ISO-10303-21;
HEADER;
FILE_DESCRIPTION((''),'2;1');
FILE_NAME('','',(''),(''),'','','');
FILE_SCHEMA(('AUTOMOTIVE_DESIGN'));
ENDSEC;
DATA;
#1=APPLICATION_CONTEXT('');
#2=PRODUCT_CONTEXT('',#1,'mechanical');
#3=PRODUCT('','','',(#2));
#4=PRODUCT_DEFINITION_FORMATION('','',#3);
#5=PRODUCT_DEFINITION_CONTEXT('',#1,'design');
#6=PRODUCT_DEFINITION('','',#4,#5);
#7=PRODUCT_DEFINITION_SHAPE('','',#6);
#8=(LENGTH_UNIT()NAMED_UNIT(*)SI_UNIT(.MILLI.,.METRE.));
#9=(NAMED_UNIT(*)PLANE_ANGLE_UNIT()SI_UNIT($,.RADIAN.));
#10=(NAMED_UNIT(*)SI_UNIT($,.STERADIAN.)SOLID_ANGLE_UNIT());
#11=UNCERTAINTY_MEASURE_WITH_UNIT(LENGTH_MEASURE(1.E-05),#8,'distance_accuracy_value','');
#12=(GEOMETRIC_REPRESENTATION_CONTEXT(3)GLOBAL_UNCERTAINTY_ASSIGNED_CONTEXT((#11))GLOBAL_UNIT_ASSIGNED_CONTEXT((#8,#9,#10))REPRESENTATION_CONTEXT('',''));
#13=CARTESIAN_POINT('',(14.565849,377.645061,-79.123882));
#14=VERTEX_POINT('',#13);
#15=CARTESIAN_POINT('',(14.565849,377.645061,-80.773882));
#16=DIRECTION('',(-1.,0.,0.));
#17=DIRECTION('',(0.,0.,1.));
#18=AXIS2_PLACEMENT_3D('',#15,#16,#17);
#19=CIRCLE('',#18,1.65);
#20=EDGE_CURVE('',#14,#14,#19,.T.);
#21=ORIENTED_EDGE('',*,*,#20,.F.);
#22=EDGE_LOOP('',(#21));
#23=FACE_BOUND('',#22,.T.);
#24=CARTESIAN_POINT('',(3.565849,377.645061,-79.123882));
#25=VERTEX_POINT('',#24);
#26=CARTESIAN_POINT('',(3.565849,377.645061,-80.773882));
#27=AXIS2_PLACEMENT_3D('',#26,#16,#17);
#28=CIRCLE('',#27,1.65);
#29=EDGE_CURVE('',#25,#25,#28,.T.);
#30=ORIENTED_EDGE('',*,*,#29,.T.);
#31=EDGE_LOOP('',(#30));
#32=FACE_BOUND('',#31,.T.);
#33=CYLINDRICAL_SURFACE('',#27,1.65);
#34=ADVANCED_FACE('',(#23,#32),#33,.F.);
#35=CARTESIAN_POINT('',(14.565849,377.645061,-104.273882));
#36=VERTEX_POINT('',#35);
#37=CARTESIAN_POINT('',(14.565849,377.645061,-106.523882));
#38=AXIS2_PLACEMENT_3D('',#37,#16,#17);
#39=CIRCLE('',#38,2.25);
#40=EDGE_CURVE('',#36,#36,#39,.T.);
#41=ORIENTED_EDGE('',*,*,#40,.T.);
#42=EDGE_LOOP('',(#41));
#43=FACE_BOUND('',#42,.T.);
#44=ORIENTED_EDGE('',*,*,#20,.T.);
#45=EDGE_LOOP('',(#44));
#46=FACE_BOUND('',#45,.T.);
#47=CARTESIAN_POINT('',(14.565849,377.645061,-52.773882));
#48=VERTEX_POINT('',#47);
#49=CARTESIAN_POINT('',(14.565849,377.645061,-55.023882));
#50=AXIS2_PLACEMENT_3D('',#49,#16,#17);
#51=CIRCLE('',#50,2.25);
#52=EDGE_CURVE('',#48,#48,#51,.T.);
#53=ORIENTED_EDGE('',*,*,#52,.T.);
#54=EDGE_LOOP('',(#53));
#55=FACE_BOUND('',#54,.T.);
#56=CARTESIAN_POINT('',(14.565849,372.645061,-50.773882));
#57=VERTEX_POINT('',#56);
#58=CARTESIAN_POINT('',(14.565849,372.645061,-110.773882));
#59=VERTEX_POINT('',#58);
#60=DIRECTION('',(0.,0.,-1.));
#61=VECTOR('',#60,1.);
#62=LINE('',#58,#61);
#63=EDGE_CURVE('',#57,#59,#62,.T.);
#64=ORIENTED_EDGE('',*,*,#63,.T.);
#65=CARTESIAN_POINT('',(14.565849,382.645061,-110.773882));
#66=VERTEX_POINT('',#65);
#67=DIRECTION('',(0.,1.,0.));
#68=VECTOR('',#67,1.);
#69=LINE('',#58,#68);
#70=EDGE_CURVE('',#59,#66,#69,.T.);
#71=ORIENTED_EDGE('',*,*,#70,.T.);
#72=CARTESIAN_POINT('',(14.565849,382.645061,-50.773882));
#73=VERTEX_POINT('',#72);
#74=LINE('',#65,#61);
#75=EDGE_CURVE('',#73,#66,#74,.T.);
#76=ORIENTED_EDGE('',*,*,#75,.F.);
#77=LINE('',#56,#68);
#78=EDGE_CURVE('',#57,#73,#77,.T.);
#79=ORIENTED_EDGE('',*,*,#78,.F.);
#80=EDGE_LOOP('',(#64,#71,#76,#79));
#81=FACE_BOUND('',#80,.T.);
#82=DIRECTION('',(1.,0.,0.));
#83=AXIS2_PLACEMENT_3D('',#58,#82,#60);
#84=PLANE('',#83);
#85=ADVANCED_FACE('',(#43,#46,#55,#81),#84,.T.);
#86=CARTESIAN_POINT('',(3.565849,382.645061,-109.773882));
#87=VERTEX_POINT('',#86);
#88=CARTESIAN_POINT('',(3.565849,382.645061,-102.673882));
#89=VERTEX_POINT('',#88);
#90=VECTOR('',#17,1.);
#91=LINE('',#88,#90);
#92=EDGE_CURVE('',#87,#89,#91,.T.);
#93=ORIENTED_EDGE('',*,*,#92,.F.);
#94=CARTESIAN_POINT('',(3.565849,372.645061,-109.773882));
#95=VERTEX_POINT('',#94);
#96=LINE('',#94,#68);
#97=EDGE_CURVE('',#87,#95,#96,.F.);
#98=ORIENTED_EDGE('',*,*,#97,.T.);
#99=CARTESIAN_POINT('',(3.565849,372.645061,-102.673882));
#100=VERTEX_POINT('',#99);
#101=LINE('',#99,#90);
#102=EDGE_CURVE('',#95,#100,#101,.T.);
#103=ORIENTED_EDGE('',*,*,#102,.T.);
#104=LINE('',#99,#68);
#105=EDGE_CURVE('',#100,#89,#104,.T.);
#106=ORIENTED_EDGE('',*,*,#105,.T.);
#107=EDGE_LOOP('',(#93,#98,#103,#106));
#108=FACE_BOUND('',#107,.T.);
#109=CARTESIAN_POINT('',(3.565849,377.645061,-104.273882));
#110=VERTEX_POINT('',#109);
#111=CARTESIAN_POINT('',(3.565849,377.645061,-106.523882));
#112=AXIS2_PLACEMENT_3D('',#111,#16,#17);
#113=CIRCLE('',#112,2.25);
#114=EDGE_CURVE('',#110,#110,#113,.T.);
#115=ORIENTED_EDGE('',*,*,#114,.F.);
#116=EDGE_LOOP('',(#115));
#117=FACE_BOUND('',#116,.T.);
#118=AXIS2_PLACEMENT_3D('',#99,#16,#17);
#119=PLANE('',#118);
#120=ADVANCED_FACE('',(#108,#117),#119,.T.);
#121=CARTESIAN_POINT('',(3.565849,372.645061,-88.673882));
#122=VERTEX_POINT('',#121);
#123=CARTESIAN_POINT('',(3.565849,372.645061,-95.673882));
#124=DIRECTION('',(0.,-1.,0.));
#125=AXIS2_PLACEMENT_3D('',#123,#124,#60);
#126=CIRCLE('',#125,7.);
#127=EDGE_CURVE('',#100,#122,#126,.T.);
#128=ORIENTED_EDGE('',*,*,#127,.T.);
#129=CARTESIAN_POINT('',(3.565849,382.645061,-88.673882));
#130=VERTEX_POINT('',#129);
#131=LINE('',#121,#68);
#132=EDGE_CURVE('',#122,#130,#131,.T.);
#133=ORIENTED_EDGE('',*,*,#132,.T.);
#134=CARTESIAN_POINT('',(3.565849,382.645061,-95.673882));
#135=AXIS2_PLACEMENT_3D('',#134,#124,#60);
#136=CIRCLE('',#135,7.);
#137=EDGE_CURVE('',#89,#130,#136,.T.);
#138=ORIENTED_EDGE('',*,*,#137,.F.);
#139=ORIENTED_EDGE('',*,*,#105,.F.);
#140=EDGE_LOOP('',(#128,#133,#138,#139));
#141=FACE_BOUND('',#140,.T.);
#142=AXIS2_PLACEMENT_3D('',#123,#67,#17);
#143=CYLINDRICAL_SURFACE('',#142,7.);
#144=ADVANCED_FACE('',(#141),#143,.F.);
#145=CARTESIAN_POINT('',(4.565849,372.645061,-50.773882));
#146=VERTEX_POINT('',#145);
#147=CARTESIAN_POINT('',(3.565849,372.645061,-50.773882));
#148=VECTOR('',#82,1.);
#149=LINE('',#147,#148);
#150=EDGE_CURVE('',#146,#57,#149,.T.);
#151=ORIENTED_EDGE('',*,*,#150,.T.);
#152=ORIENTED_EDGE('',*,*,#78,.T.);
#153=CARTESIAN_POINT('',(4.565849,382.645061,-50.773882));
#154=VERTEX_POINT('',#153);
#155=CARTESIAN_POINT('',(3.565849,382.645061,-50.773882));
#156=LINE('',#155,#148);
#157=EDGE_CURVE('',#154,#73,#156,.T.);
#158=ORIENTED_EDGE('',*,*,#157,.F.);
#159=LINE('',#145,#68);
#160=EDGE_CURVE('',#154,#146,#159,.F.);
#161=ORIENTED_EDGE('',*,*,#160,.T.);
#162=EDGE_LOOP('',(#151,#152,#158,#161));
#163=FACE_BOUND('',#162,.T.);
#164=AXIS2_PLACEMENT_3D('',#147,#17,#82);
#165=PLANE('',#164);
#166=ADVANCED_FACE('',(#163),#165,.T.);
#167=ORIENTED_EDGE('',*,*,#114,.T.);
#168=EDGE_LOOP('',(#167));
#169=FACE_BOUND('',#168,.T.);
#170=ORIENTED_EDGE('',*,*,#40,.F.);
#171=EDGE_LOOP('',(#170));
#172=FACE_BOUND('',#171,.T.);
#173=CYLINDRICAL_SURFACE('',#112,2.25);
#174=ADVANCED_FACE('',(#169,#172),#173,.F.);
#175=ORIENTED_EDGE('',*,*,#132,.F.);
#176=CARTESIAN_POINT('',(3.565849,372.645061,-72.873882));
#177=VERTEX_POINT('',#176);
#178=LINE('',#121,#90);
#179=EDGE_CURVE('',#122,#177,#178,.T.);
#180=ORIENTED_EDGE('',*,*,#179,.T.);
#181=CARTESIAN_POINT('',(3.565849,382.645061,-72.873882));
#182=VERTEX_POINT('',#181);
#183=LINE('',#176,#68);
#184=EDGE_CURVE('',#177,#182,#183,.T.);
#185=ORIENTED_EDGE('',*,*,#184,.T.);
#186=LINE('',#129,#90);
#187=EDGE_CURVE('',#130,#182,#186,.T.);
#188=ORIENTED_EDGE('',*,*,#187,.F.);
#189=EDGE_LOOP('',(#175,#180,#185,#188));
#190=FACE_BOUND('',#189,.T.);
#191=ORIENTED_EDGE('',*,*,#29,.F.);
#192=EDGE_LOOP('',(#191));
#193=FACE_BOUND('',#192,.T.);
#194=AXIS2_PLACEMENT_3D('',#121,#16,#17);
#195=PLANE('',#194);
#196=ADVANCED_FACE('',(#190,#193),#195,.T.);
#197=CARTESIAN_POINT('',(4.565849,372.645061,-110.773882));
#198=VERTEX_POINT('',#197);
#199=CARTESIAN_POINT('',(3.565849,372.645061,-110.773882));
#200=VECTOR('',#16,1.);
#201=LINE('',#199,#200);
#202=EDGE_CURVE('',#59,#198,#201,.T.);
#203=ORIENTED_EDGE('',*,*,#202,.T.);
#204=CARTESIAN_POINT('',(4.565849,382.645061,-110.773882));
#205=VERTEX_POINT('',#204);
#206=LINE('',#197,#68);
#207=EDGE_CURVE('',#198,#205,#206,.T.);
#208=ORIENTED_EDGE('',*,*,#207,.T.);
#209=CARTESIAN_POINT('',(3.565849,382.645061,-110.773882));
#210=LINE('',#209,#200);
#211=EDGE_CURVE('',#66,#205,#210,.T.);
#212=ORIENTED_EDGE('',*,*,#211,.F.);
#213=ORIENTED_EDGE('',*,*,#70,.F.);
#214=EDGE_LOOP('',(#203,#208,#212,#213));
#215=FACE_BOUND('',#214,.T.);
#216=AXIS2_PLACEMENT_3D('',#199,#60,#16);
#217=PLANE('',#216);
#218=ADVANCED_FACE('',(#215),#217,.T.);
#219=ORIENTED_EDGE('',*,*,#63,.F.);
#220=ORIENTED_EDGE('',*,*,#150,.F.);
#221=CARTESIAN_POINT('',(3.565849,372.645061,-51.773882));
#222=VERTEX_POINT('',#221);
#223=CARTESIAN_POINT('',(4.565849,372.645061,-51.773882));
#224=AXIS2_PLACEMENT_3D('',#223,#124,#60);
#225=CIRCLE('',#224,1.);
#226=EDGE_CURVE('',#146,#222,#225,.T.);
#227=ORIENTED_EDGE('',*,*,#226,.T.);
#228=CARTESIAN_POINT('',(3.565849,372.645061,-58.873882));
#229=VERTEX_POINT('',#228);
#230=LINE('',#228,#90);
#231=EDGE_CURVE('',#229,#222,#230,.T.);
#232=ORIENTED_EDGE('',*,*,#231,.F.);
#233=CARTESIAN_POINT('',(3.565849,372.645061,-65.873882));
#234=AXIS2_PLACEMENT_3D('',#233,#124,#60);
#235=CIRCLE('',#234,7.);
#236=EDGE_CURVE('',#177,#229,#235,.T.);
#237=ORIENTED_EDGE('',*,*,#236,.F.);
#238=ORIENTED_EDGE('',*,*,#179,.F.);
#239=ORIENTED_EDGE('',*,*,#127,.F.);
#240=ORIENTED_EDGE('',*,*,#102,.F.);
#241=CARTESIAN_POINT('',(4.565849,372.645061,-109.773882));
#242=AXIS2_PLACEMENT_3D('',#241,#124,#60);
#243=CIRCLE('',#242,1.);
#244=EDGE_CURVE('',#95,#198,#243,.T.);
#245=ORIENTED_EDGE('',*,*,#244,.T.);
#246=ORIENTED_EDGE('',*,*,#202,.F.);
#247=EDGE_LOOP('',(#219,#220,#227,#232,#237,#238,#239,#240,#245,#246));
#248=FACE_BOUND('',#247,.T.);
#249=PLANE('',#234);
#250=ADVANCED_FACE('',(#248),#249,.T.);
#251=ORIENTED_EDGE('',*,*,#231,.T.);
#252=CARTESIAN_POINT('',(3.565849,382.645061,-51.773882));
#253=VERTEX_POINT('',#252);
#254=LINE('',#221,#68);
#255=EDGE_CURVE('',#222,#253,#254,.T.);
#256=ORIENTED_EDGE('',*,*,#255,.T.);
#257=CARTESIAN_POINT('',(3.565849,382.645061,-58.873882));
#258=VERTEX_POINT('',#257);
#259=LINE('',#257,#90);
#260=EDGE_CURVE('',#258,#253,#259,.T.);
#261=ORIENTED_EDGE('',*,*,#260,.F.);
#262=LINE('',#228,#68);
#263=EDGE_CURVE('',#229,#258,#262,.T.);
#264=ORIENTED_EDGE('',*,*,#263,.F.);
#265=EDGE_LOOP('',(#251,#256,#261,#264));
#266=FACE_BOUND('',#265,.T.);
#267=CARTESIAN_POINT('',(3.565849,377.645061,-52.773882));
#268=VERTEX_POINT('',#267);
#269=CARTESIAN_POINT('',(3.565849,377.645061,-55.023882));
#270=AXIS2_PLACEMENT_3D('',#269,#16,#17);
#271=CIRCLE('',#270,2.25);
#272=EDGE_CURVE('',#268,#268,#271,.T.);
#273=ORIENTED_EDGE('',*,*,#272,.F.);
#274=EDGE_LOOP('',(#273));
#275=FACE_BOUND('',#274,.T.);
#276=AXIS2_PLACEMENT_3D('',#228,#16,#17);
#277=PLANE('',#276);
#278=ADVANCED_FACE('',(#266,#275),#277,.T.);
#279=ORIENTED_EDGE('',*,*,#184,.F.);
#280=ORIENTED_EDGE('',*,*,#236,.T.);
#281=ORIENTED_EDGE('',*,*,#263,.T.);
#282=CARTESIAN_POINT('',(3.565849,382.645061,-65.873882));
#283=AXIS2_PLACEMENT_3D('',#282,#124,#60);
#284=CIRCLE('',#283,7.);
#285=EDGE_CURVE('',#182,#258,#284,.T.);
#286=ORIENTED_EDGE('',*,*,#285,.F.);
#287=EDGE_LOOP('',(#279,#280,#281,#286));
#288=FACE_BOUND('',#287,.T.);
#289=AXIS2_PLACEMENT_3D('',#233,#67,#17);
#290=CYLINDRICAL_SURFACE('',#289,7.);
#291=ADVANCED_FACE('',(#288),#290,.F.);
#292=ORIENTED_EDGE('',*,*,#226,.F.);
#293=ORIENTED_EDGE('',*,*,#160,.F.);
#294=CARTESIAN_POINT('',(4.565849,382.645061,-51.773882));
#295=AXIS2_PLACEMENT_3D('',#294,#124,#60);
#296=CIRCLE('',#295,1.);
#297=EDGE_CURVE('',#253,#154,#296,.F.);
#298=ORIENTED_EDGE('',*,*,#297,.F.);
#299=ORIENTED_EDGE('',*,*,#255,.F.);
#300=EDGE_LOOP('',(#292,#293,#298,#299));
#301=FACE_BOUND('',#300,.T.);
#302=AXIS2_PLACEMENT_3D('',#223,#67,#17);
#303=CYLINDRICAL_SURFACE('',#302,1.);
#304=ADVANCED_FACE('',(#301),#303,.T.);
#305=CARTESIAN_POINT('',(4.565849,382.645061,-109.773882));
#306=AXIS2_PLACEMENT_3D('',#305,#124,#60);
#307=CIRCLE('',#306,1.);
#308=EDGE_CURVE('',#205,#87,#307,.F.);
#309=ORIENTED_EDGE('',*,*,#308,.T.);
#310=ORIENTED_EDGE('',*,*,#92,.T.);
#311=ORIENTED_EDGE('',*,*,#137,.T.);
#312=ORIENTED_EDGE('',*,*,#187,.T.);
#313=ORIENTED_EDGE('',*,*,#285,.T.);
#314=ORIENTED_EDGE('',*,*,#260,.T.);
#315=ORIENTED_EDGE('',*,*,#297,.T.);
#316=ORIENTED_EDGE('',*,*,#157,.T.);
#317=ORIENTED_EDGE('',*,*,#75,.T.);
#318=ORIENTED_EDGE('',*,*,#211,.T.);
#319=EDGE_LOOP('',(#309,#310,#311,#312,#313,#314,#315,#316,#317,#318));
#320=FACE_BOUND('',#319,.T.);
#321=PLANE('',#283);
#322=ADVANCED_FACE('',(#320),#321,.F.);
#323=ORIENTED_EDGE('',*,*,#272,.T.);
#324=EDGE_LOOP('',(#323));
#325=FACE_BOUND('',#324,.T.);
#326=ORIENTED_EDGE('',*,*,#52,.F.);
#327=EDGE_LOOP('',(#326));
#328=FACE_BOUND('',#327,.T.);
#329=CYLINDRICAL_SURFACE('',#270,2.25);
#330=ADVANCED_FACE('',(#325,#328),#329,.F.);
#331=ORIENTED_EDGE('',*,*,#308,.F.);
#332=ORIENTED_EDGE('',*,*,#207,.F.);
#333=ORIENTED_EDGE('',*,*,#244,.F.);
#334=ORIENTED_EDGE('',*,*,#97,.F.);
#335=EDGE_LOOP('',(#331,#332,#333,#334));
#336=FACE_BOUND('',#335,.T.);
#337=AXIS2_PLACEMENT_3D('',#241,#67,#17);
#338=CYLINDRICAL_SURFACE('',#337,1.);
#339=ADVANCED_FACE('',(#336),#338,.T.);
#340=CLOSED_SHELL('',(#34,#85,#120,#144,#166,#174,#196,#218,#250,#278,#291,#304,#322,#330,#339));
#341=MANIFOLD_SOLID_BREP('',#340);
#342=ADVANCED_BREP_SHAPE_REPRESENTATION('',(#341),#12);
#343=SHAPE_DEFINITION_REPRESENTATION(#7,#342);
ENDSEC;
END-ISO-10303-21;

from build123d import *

# Parameters (mm, degrees)
EXTRUDE_1_DEPTH   = 10
FILLET_1_R        = 1
HOLE_WIZARD_M41_D = 4.5
M4X0_71_D         = 3.3


with BuildPart() as part:
    # Эскиз2 → Бобышка-Вытянуть1 (new body)
    with BuildSketch(Plane(origin=(0, 382.645061039, 0), x_dir=(1, 0, 0), z_dir=(0, 1, 0))):
        with BuildLine():
            Line((3.565848943, 102.673881836), (3.565848943, 110.773881836))
            Line((3.565848943, 110.773881836), (14.565848943, 110.773881836))
            Line((14.565848943, 110.773881836), (14.565848943, 50.773881836))
            Line((14.565848943, 50.773881836), (3.565848943, 50.773881836))
            Line((3.565848943, 50.773881836), (3.565848943, 58.873881836))
            ThreePointArc((3.565848943, 58.873881836), (10.565848943, 65.873881836), (3.565848943, 72.873881836))
            Line((3.565848943, 72.873881836), (3.565848943, 88.673881836))
            ThreePointArc((3.565848943, 88.673881836), (10.565848943, 95.673881836), (3.565848943, 102.673881836))
        make_face()
    extrude(amount=-EXTRUDE_1_DEPTH)

    # Скругление1
    fillet_1_edges = [part.edges().sort_by_distance(p)[0] for p in [
        (3.565848943, 377.645061039, -50.773881836),
        (3.565848943, 377.645061039, -110.773881836),
    ]]
    fillet(fillet_1_edges, radius=FILLET_1_R)

    # Отверстие с зазором M41 (through all)
    with Locations(Plane(origin=(3.565848943, 346.946860721, -25.652823237), x_dir=(0, 0, 1), z_dir=(-1, 0, 0))):
        with Locations((-80.8710586, 30.698200318), (-29.3710586, 30.698200318)):
            Hole(HOLE_WIZARD_M41_D / 2)

    # Отверстие обработанное метчиком M4x0.71 (through all)
    with Locations(Plane(origin=(3.565848943, 346.946860721, -25.652823237), x_dir=(0, 0, 1), z_dir=(-1, 0, 0))):
        with Locations((-55.1210586, 30.698200318)):
            Hole(M4X0_71_D / 2)


solid = part.part
